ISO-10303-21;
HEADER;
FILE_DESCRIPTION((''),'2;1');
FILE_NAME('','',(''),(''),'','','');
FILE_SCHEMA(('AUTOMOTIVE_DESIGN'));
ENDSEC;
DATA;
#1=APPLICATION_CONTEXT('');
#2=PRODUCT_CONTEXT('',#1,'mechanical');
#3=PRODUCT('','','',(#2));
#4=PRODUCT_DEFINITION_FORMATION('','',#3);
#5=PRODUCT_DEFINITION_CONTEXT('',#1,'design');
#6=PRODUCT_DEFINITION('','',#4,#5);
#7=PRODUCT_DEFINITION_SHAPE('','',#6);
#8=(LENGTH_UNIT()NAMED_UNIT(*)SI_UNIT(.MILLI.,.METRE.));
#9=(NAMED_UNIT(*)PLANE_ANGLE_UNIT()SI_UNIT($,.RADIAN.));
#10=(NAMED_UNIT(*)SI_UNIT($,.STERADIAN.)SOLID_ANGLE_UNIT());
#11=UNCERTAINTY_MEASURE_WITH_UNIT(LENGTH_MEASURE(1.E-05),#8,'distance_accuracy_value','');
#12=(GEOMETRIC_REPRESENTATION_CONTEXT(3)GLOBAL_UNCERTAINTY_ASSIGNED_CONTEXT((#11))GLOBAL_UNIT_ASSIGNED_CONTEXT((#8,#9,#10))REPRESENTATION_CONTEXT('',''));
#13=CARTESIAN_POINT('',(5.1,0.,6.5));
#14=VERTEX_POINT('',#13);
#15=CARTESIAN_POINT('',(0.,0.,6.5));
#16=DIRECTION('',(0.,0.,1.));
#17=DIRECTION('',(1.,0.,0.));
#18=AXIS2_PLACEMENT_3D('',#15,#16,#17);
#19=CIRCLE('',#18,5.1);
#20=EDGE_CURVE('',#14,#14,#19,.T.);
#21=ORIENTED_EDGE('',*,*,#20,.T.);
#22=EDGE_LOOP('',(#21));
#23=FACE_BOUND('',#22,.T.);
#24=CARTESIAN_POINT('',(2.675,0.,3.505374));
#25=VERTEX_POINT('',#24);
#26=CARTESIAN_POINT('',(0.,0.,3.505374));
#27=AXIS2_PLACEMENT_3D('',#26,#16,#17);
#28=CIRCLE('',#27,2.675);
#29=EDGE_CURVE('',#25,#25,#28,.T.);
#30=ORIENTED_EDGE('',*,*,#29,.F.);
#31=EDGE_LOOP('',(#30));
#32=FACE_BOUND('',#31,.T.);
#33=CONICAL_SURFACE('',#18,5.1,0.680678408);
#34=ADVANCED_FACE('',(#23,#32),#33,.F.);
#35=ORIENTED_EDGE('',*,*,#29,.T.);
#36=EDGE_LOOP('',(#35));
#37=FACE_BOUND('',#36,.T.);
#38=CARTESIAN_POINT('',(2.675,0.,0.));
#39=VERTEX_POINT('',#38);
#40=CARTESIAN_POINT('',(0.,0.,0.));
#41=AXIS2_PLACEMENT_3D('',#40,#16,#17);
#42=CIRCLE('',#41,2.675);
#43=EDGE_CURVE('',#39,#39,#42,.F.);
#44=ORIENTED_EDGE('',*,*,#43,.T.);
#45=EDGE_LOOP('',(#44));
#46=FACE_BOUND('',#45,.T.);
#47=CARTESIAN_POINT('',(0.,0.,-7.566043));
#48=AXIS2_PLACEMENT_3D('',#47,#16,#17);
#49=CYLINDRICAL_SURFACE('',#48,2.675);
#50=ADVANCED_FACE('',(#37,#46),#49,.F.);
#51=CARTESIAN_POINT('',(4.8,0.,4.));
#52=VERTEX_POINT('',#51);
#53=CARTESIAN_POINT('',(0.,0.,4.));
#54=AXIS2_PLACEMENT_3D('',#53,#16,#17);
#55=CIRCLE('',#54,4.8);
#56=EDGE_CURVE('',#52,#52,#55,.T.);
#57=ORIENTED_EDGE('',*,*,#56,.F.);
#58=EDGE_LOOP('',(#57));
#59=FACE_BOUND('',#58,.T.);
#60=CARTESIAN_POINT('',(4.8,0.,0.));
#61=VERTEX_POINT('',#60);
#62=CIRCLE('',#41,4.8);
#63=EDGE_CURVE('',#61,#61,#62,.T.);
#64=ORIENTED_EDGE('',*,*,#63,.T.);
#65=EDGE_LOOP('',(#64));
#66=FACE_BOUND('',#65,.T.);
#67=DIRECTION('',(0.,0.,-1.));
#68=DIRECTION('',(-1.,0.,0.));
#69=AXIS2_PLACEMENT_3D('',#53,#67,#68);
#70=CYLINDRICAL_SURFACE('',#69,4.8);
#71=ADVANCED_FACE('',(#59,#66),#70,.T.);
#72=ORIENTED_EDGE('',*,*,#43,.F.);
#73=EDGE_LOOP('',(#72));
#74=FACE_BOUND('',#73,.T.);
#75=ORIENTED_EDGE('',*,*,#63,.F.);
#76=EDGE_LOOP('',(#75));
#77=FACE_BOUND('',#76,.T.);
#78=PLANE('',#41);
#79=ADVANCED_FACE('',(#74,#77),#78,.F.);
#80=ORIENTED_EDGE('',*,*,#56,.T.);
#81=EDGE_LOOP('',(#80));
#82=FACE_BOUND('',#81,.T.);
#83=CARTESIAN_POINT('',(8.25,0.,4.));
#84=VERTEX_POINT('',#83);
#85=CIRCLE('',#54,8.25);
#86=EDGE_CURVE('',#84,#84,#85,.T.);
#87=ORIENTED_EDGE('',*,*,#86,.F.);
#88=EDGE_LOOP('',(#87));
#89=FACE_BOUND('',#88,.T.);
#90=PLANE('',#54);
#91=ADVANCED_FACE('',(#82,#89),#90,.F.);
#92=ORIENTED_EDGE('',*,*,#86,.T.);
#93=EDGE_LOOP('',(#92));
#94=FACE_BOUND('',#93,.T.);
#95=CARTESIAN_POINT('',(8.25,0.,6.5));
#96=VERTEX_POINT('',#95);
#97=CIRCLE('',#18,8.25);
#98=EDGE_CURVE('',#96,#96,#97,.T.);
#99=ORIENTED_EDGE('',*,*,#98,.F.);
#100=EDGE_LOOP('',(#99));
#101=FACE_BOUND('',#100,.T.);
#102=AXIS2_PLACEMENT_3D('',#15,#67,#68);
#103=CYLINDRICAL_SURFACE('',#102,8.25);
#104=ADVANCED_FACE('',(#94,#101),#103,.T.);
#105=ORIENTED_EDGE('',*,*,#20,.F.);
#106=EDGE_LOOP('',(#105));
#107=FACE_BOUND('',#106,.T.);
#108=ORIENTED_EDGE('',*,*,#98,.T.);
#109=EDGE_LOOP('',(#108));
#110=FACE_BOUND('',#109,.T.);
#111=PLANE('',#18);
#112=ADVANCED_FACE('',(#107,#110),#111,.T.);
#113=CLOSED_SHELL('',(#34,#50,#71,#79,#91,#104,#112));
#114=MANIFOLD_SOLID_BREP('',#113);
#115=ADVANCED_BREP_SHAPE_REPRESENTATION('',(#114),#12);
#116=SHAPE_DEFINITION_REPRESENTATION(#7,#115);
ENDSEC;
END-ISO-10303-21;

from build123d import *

# Parameters (mm, degrees)
SKETCH1_R           = 4.8
BOSS_EXTRUDE1_DEPTH = 4
SKETCH2_R           = 8.25
BOSS_EXTRUDE2_DEPTH = 2.5
SKETCH3_R           = 2.675
CUT_EXTRUDE1_DEPTH  = 6.5
SKETCH4_R           = 5.1
CUT_EXTRUDE2_DEPTH  = 3
CUT_EXTRUDE2_TAPER  = 39


with BuildPart() as part:
    # Sketch1 → Boss-Extrude1 (new body)
    with BuildSketch(Plane.XY):
        Circle(SKETCH1_R)
    extrude(amount=BOSS_EXTRUDE1_DEPTH)

    # Sketch2 → Boss-Extrude2 (add)
    with BuildSketch(Plane.XY.offset(4)):
        Circle(SKETCH2_R)
    extrude(amount=BOSS_EXTRUDE2_DEPTH)

    # Sketch3 → Cut-Extrude1 (cut)
    with BuildSketch(Plane.XY.offset(6.5)):
        Circle(SKETCH3_R)
    extrude(amount=-CUT_EXTRUDE1_DEPTH, mode=Mode.SUBTRACT)

    # Sketch4 → Cut-Extrude2 (cut)
    with BuildSketch(Plane.XY.offset(6.5)):
        Circle(SKETCH4_R)
    extrude(amount=-CUT_EXTRUDE2_DEPTH, taper=CUT_EXTRUDE2_TAPER, mode=Mode.SUBTRACT)


solid = part.part
